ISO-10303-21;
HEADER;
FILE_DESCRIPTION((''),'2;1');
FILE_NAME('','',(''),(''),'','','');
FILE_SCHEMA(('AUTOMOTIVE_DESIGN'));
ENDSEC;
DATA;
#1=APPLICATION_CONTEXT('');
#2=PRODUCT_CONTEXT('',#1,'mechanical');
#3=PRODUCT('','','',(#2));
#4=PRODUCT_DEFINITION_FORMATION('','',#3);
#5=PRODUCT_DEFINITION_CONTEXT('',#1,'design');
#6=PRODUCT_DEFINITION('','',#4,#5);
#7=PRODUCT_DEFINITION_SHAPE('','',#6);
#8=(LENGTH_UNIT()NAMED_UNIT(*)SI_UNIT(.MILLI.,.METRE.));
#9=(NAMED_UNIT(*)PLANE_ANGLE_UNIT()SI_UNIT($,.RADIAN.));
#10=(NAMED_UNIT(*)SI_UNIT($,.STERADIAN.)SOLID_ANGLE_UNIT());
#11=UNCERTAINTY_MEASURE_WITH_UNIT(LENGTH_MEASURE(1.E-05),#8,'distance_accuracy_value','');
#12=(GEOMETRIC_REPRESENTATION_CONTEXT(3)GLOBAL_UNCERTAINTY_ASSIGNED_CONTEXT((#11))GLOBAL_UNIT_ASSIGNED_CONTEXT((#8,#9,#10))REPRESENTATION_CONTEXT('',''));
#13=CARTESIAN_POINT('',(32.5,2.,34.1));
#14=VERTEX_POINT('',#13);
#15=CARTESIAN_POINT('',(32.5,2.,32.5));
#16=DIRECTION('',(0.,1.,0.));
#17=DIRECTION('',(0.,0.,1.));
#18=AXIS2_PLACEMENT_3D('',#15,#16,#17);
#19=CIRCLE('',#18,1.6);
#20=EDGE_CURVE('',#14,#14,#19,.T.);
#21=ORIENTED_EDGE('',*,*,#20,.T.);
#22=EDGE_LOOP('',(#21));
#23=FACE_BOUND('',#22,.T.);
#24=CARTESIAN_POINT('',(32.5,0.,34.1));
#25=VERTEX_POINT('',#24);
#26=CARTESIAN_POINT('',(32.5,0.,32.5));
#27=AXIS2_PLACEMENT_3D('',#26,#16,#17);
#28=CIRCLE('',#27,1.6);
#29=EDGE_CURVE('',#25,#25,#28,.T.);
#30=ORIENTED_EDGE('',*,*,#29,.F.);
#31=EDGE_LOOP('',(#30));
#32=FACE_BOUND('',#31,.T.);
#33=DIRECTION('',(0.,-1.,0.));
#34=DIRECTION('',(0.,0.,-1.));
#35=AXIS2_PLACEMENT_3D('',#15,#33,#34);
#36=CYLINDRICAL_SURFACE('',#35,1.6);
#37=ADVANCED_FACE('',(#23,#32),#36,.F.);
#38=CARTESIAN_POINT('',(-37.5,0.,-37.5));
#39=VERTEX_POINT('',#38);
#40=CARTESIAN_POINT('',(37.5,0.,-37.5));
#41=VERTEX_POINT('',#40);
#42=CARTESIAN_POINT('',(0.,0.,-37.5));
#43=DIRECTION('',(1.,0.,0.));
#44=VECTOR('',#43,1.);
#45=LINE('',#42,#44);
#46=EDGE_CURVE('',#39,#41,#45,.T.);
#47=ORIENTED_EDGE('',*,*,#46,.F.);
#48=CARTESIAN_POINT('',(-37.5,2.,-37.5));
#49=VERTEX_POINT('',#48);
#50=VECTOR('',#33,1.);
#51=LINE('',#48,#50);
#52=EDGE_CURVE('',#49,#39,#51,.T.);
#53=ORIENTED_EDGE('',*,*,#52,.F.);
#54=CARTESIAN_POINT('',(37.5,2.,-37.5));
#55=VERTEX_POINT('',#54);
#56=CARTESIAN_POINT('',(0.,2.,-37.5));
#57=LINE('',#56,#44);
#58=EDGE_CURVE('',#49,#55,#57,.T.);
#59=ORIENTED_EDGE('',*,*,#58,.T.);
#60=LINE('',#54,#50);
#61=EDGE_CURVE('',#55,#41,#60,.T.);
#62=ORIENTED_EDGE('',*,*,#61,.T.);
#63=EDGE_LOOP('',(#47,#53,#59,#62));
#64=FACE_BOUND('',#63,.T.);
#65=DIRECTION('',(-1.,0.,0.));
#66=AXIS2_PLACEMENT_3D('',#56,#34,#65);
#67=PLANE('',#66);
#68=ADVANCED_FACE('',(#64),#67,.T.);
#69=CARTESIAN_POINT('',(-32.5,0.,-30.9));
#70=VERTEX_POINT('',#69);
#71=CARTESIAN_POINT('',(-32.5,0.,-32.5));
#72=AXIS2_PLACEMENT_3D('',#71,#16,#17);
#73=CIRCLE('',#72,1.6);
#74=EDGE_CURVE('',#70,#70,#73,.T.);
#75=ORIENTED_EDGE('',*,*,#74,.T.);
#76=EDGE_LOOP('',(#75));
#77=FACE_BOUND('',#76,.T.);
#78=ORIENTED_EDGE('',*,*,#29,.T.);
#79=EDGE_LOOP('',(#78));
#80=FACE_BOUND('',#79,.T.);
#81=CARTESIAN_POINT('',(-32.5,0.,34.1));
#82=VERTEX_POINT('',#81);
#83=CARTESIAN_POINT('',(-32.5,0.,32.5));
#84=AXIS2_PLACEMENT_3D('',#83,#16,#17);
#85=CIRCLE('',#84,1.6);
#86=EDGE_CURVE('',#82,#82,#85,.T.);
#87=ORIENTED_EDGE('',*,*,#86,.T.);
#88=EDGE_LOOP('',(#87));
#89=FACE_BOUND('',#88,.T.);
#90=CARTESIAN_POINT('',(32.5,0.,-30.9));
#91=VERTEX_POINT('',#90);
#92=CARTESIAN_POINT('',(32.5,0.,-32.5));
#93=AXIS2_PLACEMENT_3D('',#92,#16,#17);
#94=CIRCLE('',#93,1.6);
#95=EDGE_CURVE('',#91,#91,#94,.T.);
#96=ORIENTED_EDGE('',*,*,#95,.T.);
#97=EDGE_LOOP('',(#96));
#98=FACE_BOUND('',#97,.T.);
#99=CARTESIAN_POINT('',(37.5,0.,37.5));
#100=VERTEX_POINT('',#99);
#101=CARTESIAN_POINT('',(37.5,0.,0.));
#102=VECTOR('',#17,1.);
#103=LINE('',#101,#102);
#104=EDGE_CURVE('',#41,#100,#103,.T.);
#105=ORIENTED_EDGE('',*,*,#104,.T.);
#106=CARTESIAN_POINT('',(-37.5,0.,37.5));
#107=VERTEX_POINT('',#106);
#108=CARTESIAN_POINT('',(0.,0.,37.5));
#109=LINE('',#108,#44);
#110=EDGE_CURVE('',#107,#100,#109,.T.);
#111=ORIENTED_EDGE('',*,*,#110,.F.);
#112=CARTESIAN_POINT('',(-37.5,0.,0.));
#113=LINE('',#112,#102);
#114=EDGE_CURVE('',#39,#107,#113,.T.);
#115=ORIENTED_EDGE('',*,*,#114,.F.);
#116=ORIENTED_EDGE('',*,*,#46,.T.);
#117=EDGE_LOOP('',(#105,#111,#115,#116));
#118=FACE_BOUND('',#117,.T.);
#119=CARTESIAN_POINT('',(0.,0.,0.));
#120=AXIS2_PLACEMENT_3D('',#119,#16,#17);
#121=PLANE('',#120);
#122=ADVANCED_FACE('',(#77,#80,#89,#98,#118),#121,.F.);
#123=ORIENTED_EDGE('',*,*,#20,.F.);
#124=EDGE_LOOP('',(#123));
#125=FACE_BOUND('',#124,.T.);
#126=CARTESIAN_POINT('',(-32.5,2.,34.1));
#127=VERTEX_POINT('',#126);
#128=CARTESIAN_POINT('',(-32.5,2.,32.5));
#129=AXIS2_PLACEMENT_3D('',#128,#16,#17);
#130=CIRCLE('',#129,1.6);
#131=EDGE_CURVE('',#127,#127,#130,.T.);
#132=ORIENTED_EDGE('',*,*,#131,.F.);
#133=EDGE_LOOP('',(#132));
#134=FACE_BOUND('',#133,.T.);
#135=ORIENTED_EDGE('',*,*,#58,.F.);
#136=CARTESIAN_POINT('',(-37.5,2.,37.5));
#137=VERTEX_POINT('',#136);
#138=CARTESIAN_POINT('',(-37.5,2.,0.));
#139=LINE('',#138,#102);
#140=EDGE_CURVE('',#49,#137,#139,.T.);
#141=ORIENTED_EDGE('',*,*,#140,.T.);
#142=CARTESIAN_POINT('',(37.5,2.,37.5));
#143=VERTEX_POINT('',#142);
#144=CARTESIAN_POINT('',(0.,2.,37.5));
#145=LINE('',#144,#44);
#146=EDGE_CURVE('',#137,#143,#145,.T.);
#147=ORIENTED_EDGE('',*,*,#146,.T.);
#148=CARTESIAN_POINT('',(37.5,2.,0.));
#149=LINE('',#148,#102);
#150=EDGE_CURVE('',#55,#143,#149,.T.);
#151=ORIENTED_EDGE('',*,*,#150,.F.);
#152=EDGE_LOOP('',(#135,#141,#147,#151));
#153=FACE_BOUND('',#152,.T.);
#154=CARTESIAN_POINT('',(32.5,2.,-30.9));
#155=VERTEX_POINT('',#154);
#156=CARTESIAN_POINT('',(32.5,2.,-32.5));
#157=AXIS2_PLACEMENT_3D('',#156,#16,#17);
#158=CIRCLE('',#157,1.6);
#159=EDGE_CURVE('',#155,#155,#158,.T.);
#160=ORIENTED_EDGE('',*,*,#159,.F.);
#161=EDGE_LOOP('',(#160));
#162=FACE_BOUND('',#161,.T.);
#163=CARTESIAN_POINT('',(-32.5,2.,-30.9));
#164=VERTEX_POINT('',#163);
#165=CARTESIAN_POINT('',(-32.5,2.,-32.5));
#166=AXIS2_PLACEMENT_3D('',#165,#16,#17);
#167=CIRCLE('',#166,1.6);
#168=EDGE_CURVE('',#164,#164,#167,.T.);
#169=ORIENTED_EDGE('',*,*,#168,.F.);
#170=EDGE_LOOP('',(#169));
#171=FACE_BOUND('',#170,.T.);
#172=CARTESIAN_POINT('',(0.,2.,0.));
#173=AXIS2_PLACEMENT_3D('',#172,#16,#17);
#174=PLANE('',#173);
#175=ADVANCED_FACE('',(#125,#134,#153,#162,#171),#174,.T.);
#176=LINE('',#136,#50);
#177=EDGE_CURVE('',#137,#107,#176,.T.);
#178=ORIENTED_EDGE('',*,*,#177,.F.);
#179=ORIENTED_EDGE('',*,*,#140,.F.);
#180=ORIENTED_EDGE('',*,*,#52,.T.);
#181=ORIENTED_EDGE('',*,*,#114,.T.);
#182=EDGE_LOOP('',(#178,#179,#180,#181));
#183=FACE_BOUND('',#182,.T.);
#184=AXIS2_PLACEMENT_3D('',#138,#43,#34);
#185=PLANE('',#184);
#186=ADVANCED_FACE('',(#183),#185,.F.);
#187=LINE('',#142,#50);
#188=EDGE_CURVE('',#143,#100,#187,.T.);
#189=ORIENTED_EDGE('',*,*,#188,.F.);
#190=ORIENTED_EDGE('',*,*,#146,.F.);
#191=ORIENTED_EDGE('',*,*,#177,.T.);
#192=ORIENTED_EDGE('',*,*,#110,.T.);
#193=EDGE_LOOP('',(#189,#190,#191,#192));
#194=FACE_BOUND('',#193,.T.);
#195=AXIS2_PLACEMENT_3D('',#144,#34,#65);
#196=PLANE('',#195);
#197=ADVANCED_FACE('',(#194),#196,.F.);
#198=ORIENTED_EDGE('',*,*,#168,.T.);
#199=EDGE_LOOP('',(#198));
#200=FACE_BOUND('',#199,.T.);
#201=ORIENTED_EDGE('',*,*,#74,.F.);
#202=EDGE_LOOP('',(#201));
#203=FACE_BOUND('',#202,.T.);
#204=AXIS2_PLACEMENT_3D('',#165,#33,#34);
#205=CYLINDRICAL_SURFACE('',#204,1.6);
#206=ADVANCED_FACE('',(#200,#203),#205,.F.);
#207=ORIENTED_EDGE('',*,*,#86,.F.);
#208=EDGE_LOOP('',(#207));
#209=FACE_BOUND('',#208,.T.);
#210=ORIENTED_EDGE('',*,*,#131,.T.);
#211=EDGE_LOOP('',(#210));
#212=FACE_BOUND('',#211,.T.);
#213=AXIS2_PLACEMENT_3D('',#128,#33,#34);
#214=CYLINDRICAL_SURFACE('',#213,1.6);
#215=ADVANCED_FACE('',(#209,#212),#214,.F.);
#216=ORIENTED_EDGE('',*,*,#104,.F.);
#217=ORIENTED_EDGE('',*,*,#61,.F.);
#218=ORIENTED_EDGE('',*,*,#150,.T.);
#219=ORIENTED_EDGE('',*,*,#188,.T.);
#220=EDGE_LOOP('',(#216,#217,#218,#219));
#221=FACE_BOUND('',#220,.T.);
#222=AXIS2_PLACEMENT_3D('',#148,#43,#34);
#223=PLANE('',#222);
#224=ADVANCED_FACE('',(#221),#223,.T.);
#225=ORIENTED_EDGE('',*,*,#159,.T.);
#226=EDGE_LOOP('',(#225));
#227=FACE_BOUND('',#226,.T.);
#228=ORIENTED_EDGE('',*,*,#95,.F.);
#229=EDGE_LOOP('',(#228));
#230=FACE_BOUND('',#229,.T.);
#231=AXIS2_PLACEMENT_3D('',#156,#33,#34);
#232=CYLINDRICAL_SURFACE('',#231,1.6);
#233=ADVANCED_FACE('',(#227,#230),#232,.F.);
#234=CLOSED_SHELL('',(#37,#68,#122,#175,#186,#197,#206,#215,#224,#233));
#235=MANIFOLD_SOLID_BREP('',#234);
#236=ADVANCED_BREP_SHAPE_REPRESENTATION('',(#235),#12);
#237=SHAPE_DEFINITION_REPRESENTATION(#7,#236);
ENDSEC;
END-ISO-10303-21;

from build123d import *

# Parameters (mm, degrees)
SKETCH1_W           = 75
SKETCH1_H           = 75
SKETCH1_R           = 1.6
BOSS_EXTRUDE1_DEPTH = 2


with BuildPart() as part:
    # Sketch1 → Boss-Extrude1 (new body)
    with BuildSketch(Plane(origin=(0, 0, 0), x_dir=(1, 0, 0), z_dir=(0, 1, 0))):
        Rectangle(SKETCH1_W, SKETCH1_H)
        with Locations(Location((-32.5, 32.5, 0), (0, 0, 270))):
            Circle(SKETCH1_R, mode=Mode.SUBTRACT)
        with Locations(Location((-32.5, -32.5, 0), (0, 0, 270))):
            Circle(SKETCH1_R, mode=Mode.SUBTRACT)
        with Locations(Location((32.5, 32.5, 0), (0, 0, 270))):
            Circle(SKETCH1_R, mode=Mode.SUBTRACT)
        with Locations(Location((32.5, -32.5, 0), (0, 0, 270))):
            Circle(SKETCH1_R, mode=Mode.SUBTRACT)
    extrude(amount=BOSS_EXTRUDE1_DEPTH)


solid = part.part
